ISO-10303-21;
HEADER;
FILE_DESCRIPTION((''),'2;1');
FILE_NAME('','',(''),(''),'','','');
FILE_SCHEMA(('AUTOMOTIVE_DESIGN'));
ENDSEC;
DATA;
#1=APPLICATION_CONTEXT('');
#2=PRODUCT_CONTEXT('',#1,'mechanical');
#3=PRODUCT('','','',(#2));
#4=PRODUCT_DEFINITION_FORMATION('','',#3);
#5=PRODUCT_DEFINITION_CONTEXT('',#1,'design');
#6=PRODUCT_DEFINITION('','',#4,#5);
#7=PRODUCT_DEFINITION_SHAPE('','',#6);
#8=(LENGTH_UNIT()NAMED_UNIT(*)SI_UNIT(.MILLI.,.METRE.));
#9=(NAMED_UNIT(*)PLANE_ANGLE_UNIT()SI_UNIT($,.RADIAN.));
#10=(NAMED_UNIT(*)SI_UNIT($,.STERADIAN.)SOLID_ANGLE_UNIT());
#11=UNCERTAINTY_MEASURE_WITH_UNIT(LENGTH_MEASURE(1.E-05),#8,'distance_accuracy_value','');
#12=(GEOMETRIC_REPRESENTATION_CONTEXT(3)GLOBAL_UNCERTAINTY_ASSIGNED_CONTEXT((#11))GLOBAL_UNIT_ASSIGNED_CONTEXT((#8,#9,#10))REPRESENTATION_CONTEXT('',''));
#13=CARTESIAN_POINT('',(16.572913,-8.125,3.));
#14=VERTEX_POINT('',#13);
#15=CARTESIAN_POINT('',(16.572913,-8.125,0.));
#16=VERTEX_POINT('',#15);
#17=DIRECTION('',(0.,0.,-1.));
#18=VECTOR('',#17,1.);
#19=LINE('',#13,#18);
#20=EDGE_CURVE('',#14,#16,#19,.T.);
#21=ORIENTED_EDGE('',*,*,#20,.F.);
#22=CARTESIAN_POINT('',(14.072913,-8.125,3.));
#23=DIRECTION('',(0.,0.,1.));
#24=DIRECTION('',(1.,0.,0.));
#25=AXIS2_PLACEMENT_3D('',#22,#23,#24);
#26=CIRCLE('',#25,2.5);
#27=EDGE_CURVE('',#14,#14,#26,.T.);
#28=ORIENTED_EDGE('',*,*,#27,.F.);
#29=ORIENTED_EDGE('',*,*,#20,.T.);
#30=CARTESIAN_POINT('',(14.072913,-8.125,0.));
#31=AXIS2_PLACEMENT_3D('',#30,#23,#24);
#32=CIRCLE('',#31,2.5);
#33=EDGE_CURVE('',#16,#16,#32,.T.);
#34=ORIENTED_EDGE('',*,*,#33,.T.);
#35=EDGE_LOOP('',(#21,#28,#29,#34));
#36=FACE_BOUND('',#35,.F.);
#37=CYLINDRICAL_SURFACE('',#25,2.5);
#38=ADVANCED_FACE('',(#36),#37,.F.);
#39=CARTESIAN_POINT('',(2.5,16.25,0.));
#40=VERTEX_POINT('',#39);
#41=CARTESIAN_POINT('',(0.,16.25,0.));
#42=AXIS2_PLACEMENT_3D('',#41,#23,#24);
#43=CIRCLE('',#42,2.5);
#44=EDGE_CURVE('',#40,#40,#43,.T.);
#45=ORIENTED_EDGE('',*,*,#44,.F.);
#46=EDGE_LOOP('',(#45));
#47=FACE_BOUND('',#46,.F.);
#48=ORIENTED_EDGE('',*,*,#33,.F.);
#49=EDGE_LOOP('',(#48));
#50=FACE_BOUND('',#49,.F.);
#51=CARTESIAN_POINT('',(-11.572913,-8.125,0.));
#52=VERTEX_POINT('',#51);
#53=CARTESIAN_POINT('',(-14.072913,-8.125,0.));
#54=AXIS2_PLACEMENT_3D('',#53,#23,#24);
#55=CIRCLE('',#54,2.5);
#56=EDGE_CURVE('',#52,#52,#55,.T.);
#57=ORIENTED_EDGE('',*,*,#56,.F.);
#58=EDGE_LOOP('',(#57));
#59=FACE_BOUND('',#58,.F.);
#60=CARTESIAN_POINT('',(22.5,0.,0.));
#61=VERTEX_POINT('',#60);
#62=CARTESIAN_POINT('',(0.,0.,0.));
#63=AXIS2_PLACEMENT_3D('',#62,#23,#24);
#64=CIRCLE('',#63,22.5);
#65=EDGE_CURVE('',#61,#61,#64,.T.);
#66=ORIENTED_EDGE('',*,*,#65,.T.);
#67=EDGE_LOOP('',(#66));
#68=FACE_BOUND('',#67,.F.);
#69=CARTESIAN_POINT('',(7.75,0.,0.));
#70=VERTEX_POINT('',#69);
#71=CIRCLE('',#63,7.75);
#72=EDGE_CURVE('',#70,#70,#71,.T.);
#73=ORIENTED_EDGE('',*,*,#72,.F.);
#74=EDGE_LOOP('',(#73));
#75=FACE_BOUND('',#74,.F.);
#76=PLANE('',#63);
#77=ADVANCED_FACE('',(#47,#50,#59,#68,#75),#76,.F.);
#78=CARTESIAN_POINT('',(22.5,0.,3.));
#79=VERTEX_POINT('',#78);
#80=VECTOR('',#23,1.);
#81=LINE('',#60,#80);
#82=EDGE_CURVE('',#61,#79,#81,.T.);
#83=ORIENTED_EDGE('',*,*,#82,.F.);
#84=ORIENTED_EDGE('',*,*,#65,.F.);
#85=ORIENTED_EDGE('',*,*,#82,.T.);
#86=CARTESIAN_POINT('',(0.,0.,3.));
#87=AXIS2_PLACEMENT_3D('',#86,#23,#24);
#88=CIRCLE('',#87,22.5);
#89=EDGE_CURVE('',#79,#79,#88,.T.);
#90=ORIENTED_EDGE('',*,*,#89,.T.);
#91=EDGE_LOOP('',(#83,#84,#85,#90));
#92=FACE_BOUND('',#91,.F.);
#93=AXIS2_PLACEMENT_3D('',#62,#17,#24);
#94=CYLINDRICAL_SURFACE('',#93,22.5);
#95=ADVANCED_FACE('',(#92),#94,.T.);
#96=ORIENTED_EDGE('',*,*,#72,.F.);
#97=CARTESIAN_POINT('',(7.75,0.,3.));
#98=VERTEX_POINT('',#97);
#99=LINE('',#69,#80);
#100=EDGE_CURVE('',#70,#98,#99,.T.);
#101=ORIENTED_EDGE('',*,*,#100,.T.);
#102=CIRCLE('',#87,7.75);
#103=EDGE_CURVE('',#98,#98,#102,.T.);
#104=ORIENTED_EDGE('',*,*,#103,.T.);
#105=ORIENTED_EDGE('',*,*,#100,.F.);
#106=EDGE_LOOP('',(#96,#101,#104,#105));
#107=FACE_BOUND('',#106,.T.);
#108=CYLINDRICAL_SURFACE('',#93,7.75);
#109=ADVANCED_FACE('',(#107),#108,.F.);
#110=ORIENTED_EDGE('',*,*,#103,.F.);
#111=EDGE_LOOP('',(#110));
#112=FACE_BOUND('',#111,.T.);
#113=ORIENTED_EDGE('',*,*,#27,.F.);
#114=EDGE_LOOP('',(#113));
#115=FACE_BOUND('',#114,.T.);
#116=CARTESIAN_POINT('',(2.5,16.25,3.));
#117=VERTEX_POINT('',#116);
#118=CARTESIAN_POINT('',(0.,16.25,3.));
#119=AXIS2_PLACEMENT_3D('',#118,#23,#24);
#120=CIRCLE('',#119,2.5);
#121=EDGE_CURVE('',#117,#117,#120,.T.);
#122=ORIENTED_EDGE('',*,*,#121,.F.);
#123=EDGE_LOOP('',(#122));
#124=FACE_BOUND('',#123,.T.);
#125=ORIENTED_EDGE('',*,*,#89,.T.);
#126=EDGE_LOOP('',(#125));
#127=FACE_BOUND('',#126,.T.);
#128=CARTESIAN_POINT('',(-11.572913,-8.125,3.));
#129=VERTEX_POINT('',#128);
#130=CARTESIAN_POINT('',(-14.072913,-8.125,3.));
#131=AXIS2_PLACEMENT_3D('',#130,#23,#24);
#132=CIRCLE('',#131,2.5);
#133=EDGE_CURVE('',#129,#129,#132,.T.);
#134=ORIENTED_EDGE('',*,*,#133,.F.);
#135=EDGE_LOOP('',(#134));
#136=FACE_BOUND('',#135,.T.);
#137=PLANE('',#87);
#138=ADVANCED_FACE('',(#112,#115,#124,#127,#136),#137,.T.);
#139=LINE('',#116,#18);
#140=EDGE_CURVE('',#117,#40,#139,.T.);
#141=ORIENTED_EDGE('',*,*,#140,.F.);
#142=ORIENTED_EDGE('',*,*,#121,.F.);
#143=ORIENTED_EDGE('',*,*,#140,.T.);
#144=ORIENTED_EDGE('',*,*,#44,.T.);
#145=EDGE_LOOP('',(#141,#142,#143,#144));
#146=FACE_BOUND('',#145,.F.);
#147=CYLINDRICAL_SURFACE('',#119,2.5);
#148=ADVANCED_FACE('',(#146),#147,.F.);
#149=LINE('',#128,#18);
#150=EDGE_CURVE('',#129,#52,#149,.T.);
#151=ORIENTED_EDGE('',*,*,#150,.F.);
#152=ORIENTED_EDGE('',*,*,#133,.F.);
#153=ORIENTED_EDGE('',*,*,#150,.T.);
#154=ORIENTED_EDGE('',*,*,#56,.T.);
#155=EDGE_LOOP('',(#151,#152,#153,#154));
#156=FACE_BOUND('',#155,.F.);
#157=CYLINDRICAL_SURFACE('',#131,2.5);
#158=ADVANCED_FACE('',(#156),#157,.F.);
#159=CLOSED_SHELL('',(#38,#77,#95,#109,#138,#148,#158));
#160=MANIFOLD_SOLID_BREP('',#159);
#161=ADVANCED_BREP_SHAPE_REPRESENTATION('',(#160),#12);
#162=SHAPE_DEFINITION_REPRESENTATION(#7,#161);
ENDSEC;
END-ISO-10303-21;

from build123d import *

# Parameters (mm, degrees)
F0_R     = 22.5
F0_R_2   = 7.75
F1_DEPTH = 3
F2_R     = 2.5
F3_DEPTH = 22.1


with BuildPart() as f1:
    # F0 (on Top) → F1 (new body)
    with BuildSketch(Plane.XY):
        Circle(F0_R)
        Circle(F0_R_2, mode=Mode.SUBTRACT)
    extrude(amount=F1_DEPTH)

    # F2 (on face) → F3 (cut)
    with BuildSketch(Plane.XY.offset(3)):
        with Locations((14.072913, -8.125)):
            Circle(F2_R)
        with Locations((-14.072913, -8.125)):
            Circle(F2_R)
        with Locations((0, 16.25)):
            Circle(F2_R)
    extrude(amount=-F3_DEPTH, mode=Mode.SUBTRACT)


solid = f1.part
